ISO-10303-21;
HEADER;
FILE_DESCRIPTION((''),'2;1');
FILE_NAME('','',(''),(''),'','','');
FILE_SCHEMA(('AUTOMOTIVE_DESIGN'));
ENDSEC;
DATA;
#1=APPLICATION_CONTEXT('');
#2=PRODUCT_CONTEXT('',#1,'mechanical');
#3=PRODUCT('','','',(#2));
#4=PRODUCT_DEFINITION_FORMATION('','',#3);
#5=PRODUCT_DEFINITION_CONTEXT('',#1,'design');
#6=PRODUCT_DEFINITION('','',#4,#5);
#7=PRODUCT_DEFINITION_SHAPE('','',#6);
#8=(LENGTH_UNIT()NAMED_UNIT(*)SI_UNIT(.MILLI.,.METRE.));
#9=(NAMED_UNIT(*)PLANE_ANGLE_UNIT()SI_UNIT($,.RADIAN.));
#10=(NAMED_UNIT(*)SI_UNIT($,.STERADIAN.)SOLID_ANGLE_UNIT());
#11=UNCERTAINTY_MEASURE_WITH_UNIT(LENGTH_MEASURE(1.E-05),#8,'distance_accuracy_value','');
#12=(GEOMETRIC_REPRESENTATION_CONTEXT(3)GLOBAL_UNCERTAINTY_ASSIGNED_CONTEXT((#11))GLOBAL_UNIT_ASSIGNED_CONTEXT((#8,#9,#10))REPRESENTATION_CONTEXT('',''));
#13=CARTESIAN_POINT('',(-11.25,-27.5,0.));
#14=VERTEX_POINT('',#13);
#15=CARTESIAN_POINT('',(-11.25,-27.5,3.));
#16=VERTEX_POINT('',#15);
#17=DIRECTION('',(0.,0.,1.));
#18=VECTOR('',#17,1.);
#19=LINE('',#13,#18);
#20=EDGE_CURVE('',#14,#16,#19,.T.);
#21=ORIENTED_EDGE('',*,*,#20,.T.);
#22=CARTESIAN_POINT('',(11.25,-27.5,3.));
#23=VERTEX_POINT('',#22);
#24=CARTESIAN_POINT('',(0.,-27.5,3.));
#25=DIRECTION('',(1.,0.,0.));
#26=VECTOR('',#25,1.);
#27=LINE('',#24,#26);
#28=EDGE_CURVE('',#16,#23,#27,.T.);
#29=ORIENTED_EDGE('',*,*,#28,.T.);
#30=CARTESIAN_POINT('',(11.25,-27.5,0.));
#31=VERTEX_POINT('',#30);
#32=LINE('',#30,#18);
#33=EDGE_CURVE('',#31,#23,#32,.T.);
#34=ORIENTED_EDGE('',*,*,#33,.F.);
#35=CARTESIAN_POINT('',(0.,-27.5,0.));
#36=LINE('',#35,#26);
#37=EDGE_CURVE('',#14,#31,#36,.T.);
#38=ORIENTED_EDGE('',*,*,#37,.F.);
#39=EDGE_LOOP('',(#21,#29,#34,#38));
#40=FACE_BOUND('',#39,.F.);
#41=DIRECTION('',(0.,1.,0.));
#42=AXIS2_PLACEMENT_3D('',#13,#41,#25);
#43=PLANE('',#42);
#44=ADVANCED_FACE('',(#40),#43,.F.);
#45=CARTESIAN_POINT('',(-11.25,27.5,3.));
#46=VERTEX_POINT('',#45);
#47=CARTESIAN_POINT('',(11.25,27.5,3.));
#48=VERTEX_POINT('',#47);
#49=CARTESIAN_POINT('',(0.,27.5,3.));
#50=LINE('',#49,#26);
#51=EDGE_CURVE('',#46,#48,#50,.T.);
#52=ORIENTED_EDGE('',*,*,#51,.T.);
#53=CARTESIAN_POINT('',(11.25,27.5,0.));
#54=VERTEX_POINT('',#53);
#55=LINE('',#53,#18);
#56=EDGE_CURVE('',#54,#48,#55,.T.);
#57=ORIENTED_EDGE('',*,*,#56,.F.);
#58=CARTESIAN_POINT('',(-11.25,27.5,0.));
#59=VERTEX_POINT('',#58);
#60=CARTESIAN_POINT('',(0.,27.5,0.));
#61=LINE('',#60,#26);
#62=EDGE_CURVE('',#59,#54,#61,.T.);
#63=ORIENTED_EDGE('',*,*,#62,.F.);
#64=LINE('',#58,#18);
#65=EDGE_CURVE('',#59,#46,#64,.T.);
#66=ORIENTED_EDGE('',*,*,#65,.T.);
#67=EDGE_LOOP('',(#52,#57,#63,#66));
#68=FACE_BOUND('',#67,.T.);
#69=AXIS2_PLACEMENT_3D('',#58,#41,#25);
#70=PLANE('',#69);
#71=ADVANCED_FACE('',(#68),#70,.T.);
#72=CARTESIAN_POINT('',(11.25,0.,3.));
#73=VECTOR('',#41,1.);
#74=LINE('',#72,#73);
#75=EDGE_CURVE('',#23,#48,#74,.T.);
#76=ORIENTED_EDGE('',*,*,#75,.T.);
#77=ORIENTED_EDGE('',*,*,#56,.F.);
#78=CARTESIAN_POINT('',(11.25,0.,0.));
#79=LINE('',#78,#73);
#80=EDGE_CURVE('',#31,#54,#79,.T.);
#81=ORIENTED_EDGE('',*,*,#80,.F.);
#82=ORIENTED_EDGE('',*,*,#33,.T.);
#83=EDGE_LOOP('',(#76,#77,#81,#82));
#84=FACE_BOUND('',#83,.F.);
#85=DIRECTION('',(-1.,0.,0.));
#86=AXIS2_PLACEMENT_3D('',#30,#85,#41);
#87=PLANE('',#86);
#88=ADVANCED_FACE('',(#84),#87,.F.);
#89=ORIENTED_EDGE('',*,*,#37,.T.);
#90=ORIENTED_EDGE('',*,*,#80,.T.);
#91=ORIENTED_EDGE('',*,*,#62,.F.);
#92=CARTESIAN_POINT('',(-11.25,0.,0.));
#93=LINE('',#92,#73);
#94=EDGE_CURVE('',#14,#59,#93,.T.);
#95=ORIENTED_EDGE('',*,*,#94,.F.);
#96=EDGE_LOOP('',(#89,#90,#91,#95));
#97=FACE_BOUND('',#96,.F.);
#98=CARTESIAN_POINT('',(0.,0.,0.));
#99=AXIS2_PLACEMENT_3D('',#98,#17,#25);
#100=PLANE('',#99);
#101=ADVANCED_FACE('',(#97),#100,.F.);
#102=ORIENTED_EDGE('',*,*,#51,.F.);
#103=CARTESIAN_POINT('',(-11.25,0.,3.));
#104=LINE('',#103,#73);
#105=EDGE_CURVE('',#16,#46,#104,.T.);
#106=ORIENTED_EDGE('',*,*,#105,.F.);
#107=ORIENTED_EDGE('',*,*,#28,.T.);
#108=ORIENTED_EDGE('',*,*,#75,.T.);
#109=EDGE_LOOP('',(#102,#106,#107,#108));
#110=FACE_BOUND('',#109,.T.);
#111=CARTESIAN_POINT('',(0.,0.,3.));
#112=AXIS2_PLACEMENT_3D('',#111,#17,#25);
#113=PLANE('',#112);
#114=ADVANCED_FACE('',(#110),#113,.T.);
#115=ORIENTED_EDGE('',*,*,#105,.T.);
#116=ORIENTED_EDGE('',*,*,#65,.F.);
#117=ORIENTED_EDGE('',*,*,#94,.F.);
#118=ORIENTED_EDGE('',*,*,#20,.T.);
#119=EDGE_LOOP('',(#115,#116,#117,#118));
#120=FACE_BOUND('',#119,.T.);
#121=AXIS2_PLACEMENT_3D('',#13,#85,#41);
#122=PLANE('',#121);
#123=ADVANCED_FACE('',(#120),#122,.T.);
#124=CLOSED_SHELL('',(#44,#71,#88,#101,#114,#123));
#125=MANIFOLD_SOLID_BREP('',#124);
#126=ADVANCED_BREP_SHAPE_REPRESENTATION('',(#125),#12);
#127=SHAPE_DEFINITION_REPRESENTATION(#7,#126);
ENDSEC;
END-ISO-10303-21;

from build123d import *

# Parameters (mm, degrees)
SKETCH_W  = 22.5
SKETCH_H  = 55
PAD_DEPTH = 3


with BuildPart() as part:
    # Sketch → Pad (new body)
    with BuildSketch(Plane.XY):
        Rectangle(SKETCH_W, SKETCH_H)
    extrude(amount=PAD_DEPTH)


solid = part.part
